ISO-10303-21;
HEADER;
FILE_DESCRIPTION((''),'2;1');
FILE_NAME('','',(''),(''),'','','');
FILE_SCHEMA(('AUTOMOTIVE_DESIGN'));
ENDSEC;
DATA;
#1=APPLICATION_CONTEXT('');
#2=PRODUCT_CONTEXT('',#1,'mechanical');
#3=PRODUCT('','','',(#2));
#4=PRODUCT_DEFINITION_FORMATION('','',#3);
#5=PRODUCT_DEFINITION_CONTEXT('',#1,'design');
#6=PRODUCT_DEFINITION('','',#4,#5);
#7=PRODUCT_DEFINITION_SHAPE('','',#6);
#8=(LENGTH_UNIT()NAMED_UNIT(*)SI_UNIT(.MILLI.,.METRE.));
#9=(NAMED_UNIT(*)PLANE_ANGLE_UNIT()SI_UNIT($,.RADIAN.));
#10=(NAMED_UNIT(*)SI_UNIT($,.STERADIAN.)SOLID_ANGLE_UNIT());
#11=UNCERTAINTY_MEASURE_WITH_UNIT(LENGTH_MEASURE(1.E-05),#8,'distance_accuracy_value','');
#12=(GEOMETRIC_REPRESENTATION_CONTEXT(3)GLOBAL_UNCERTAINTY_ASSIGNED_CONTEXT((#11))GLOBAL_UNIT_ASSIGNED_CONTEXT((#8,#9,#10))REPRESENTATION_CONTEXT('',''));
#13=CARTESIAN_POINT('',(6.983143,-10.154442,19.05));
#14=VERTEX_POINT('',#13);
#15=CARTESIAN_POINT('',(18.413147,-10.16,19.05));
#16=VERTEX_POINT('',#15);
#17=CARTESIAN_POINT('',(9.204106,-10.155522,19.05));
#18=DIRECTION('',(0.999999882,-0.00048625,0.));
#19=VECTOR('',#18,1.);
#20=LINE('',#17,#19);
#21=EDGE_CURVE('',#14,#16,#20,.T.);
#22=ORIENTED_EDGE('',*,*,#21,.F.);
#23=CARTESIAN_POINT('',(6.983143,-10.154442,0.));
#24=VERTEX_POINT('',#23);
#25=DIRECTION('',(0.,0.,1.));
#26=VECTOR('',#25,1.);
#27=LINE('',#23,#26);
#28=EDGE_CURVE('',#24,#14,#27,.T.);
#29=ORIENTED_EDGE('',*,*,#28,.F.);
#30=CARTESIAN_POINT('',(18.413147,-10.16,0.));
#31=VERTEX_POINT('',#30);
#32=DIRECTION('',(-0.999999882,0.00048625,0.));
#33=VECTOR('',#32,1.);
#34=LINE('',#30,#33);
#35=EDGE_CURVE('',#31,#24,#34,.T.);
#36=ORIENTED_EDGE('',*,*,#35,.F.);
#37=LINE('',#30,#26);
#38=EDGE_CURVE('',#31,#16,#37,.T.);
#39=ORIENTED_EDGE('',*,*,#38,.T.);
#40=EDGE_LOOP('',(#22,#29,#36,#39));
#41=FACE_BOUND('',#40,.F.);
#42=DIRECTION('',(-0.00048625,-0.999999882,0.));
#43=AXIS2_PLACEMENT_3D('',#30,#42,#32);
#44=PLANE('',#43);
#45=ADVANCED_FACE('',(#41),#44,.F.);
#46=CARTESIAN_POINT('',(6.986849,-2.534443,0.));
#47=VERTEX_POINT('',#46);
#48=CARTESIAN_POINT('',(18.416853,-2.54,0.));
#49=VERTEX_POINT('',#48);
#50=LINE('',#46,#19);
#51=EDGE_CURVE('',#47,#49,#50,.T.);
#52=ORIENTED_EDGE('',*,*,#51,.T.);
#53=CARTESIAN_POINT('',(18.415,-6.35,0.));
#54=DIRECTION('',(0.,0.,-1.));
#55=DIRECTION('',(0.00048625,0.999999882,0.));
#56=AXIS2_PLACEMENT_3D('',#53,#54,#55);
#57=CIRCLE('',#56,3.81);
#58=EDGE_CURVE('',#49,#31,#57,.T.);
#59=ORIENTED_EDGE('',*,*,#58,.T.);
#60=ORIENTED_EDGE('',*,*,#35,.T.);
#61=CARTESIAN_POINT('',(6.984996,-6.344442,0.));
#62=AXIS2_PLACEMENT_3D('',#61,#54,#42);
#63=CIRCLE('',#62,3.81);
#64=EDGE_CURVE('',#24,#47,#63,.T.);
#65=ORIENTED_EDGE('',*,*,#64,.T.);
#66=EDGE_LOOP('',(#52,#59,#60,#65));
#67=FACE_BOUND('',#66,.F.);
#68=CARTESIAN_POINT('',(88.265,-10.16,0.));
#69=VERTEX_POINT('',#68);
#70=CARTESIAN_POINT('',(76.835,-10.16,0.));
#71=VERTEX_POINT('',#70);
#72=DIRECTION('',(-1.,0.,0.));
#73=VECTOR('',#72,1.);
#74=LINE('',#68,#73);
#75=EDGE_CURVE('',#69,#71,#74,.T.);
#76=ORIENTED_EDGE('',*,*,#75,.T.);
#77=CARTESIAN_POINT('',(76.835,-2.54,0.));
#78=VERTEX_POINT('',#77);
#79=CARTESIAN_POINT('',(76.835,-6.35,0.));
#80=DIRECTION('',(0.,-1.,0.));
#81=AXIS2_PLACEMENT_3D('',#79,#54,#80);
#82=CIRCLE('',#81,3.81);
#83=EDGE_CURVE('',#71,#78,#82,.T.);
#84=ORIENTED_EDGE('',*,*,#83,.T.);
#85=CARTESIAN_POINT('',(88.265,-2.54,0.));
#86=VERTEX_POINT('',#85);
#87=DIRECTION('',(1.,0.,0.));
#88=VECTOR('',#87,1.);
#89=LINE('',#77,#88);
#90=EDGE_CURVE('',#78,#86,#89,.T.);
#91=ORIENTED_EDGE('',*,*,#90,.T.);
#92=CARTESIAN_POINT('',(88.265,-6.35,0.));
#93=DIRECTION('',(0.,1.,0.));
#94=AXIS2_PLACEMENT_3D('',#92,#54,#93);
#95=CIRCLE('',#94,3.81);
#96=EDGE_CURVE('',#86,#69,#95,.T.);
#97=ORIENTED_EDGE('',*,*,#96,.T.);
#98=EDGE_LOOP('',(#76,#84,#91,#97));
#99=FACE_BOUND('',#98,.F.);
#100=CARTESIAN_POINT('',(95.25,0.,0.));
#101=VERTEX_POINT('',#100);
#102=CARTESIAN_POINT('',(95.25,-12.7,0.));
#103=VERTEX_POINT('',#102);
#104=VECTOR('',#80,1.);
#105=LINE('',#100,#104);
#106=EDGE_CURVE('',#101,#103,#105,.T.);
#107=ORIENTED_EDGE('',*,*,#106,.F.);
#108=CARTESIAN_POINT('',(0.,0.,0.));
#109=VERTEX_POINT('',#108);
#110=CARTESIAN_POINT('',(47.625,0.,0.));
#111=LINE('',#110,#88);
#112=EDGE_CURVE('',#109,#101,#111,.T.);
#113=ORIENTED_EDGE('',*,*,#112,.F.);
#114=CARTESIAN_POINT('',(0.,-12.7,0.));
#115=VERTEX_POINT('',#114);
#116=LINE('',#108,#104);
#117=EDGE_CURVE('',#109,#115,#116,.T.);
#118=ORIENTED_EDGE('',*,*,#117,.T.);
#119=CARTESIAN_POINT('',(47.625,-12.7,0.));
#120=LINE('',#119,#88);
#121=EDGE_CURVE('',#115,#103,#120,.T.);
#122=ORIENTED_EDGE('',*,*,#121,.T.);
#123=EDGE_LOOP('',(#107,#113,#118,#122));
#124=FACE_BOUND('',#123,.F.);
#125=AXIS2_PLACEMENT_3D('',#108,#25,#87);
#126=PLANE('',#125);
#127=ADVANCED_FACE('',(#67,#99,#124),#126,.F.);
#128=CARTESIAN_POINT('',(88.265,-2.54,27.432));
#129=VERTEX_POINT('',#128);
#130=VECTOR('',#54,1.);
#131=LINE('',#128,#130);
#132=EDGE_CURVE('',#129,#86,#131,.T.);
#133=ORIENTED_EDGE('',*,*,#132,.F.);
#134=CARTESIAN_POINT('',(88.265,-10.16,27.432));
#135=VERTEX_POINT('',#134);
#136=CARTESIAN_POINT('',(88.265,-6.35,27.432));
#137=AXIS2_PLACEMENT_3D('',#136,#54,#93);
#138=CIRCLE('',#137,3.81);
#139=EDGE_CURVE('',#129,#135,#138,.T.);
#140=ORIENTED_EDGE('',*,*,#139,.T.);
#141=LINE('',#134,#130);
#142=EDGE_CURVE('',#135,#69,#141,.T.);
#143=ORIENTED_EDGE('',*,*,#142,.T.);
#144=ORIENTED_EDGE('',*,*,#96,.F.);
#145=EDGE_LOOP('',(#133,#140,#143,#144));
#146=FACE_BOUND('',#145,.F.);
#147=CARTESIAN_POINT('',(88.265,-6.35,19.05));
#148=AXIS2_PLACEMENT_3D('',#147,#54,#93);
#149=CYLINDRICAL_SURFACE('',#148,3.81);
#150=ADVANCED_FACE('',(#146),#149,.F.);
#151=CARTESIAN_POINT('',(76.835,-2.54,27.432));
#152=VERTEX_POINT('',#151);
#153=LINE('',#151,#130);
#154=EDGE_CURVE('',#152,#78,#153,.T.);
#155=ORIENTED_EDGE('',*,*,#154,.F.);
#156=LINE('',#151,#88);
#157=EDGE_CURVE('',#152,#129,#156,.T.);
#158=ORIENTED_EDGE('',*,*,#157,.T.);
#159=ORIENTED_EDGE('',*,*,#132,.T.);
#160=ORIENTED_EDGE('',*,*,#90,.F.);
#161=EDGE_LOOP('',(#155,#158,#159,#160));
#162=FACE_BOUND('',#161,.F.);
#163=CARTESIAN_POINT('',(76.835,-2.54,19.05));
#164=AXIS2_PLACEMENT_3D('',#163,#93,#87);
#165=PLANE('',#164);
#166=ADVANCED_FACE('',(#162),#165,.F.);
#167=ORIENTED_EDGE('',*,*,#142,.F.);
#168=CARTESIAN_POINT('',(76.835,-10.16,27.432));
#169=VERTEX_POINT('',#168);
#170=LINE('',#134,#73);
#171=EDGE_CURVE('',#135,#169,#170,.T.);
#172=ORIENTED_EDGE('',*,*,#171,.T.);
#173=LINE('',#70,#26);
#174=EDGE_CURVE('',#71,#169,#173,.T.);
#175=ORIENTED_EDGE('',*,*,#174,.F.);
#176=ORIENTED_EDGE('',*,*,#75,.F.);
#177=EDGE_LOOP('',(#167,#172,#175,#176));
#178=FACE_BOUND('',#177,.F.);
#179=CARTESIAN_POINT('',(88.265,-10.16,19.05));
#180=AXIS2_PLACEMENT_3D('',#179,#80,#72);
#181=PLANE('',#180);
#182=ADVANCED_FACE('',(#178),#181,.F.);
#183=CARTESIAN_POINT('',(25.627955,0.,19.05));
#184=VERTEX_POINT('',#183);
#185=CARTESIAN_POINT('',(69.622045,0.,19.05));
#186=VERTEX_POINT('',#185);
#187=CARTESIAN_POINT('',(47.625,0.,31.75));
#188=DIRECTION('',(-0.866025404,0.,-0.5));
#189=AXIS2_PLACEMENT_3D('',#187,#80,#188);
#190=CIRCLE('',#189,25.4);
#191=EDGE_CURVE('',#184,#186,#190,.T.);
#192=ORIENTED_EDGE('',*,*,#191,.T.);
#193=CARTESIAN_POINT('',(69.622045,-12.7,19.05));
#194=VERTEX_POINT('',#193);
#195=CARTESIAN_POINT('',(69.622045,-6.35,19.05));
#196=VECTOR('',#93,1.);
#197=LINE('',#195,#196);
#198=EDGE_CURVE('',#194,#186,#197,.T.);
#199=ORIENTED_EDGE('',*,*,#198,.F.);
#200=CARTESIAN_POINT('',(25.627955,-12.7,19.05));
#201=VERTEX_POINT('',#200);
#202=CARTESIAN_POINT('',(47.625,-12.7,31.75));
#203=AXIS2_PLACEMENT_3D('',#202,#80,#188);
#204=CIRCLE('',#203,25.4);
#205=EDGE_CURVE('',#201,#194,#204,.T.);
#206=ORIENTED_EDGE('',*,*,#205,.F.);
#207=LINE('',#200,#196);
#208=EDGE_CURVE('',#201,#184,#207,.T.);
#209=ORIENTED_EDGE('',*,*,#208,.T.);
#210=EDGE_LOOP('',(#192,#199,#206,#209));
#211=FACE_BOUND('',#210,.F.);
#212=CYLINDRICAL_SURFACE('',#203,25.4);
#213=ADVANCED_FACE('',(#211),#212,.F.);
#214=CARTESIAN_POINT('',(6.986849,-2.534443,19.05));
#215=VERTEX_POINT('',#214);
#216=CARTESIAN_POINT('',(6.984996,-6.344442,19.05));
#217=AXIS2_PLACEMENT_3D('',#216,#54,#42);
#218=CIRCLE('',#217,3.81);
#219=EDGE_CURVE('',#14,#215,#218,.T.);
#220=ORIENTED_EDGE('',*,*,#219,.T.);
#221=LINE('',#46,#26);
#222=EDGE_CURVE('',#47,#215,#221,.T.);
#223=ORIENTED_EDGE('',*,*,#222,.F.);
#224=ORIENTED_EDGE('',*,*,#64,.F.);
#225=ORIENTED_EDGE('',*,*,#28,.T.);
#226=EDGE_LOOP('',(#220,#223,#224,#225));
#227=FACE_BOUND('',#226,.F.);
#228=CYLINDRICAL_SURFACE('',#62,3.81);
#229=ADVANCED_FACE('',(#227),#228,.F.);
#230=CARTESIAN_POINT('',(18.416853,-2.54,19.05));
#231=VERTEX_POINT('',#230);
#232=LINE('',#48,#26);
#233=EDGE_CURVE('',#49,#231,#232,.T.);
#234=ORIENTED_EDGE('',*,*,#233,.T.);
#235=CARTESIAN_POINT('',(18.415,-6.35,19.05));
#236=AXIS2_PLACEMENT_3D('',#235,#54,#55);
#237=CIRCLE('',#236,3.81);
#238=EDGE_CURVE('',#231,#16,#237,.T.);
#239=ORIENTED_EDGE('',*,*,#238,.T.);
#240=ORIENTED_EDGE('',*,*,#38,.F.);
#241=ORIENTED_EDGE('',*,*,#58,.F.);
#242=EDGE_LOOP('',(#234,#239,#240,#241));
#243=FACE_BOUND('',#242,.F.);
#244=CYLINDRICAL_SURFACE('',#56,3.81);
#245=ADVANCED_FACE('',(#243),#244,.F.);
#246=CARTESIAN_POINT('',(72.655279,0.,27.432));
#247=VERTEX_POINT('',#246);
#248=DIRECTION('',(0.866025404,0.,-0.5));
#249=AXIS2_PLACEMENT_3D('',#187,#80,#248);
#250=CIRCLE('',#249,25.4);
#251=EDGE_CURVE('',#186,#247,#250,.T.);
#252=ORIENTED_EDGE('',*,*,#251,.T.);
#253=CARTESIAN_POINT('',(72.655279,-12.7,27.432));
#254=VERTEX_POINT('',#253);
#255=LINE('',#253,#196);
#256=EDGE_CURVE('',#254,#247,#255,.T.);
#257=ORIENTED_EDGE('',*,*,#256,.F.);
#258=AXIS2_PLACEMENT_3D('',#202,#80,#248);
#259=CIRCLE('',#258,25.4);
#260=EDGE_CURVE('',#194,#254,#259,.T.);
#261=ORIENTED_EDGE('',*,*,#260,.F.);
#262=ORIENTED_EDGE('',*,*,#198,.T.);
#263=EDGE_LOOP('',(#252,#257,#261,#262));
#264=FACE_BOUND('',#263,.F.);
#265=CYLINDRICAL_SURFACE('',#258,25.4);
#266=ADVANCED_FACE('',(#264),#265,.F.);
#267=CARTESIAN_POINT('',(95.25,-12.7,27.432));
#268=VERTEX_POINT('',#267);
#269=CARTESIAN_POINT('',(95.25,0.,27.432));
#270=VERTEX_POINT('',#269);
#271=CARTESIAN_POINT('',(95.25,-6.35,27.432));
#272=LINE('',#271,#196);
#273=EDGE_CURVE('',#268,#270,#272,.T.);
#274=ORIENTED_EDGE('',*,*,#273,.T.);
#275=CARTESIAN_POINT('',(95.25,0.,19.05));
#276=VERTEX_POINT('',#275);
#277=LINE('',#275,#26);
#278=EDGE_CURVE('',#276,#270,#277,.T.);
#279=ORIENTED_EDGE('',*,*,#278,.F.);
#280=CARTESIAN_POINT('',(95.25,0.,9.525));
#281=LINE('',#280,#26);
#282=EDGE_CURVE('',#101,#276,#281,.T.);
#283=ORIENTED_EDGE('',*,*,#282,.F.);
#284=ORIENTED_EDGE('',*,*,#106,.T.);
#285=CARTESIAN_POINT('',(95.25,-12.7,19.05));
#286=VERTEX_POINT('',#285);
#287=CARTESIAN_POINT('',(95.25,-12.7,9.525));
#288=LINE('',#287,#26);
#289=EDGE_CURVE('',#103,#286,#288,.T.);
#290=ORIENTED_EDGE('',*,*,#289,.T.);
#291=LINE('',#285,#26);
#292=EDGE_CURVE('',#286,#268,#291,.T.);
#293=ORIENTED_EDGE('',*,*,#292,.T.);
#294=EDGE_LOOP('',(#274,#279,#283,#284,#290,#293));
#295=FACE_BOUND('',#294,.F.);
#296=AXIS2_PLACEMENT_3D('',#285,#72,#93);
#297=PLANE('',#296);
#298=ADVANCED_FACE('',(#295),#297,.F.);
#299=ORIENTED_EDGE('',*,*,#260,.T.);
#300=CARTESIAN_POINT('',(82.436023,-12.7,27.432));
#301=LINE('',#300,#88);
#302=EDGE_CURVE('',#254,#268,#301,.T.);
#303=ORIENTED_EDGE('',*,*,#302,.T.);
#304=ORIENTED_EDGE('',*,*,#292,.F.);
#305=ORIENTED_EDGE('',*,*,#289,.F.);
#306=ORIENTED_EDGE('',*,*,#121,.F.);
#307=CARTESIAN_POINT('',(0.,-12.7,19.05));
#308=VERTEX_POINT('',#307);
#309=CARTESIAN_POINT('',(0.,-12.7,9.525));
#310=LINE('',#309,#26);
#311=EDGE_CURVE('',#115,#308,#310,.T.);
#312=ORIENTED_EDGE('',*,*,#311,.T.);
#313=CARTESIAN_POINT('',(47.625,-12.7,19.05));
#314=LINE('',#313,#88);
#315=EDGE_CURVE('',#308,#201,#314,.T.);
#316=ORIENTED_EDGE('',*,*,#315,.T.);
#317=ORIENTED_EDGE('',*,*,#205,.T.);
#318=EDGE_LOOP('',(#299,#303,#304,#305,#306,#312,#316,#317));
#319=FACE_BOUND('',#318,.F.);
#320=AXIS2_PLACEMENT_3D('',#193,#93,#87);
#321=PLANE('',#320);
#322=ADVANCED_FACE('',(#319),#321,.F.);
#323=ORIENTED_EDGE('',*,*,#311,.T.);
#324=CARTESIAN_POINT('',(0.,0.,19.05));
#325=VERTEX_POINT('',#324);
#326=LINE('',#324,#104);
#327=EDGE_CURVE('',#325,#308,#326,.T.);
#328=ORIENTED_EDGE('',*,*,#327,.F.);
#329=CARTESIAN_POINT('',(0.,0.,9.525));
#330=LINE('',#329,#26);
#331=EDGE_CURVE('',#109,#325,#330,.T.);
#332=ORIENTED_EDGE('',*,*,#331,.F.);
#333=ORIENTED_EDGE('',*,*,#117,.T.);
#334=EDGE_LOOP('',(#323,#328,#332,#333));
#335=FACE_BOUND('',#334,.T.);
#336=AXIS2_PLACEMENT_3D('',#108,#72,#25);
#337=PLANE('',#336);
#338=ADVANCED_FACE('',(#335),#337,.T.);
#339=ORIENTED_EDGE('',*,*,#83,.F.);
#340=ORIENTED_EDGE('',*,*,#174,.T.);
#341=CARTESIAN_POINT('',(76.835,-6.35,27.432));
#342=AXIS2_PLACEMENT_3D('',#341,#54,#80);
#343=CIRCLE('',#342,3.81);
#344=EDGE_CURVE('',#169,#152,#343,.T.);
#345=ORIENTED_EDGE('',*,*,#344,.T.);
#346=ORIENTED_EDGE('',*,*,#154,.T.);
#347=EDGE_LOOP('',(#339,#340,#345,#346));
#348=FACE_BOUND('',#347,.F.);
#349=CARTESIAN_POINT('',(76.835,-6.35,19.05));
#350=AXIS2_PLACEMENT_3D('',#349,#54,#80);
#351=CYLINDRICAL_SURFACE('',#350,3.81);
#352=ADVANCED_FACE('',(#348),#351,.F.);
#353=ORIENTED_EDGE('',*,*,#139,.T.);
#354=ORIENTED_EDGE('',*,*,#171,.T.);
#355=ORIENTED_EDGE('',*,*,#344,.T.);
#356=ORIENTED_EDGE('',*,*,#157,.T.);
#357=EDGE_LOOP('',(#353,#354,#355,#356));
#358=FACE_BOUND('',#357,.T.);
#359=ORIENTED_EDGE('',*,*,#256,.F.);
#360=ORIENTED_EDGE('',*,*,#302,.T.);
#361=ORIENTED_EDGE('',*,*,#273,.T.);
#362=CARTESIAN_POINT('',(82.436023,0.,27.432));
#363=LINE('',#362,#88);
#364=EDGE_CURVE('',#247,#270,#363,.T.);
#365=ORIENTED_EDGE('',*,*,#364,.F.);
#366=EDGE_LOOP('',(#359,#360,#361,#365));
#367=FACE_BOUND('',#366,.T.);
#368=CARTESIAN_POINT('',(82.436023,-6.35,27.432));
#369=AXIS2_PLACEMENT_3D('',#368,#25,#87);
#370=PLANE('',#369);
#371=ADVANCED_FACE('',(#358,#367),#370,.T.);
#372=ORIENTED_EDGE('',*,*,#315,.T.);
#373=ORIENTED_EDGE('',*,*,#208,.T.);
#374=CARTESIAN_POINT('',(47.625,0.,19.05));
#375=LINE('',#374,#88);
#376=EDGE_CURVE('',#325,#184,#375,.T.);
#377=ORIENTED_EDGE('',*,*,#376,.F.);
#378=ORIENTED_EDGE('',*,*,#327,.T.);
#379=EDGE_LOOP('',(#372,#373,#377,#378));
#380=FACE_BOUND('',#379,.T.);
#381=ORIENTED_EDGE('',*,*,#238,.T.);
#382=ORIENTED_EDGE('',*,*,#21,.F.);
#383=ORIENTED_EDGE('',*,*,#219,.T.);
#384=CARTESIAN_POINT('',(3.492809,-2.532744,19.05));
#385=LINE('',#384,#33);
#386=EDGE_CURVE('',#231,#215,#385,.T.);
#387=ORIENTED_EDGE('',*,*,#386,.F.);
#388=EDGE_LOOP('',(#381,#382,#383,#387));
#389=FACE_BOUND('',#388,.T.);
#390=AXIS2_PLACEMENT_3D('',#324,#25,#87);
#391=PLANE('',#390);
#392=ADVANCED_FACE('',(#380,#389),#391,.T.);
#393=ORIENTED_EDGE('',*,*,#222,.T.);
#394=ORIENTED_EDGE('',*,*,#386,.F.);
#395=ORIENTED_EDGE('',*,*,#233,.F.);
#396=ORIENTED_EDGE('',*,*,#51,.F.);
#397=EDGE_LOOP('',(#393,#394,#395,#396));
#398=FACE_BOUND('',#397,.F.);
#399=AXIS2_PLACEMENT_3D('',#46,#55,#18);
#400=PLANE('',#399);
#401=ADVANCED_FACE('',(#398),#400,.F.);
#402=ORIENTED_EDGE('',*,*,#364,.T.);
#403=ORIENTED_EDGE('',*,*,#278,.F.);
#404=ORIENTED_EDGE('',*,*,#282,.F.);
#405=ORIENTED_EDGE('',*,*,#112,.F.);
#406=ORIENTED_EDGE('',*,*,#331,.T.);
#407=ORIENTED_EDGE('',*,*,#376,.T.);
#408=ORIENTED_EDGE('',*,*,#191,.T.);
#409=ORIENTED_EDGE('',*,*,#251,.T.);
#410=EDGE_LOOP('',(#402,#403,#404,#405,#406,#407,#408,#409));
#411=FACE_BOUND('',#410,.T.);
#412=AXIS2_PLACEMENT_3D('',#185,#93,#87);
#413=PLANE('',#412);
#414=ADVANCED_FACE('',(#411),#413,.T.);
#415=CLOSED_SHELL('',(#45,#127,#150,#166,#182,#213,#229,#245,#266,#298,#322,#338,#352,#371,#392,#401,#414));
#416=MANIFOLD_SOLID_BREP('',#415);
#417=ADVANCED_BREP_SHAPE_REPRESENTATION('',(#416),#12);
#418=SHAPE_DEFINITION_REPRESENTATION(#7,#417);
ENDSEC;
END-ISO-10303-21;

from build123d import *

# Parameters (mm, degrees)
F0_W     = 95.25
F0_H     = 19.05
F1_DEPTH = 12.7
F3_DEPTH = 19.051
F4_W     = 25.6279547439
F4_H     = 12.7
F5_DEPTH = 8.382
F7_DEPTH = 12.701


with BuildPart() as f1:
    # F0 (on Front) → F1 (new body)
    with BuildSketch(Plane.XZ):
        with Locations((47.625, 9.525)):
            Rectangle(F0_W, F0_H)
    extrude(amount=F1_DEPTH)

    # F2 (on face) → F3 (cut, through all)
    with BuildSketch(Plane(origin=(0, 0, 0), x_dir=(1, 0, 0), z_dir=(0, 0, -1))):
        with BuildLine():
            Line((18.4131473885, 10.1599995496), (6.9831433348, 10.1544417125))
            ThreePointArc((6.9831433348, 10.1544417125), (3.1749963967, 6.3425895514), (6.9868485577, 2.5344426133))
            Line((6.9868485577, 2.5344426133), (18.4168526115, 2.5400004504))
            ThreePointArc((18.4168526115, 2.5400004504), (22.2249995496, 6.3518526115), (18.4131473885, 10.1599995496))
        make_face()
        with BuildLine():
            Line((76.835, 2.54), (88.265, 2.54))
            ThreePointArc((88.265, 2.54), (92.075, 6.35), (88.265, 10.16))
            Line((88.265, 10.16), (76.835, 10.16))
            ThreePointArc((76.835, 10.16), (73.025, 6.35), (76.835, 2.54))
        make_face()
    extrude(amount=-F3_DEPTH, mode=Mode.SUBTRACT)

    # F4 (on face) → F5 (join)
    with BuildSketch(Plane.XY.offset(19.05)):
        with Locations((82.4360226281, -6.35)):
            Rectangle(F4_W, F4_H)
        with BuildLine():
            ThreePointArc((76.835, -10.16), (73.025, -6.35), (76.835, -2.54))
            Line((76.835, -2.54), (88.265, -2.54))
            ThreePointArc((88.265, -2.54), (92.075, -6.35), (88.265, -10.16))
            Line((88.265, -10.16), (76.835, -10.16))
        make_face(mode=Mode.SUBTRACT)
    extrude(amount=F5_DEPTH)

    # F6 (on face) → F7 (cut, through all)
    with BuildSketch(Plane.XZ.offset(12.7)):
        with BuildLine():
            ThreePointArc((25.6279547439, 19.05), (47.625, 6.35), (69.6220452561, 19.05))
            Line((69.6220452561, 19.05), (25.6279547439, 19.05))
        make_face()
        with BuildLine():
            Line((69.6220452561, 27.432), (69.6220452561, 19.05))
            ThreePointArc((69.6220452561, 19.05), (71.5092373122, 23.1068982411), (72.6552791834, 27.432))
            Line((72.6552791834, 27.432), (69.6220452561, 27.432))
        make_face()
    extrude(amount=-F7_DEPTH, mode=Mode.SUBTRACT)


solid = f1.part
